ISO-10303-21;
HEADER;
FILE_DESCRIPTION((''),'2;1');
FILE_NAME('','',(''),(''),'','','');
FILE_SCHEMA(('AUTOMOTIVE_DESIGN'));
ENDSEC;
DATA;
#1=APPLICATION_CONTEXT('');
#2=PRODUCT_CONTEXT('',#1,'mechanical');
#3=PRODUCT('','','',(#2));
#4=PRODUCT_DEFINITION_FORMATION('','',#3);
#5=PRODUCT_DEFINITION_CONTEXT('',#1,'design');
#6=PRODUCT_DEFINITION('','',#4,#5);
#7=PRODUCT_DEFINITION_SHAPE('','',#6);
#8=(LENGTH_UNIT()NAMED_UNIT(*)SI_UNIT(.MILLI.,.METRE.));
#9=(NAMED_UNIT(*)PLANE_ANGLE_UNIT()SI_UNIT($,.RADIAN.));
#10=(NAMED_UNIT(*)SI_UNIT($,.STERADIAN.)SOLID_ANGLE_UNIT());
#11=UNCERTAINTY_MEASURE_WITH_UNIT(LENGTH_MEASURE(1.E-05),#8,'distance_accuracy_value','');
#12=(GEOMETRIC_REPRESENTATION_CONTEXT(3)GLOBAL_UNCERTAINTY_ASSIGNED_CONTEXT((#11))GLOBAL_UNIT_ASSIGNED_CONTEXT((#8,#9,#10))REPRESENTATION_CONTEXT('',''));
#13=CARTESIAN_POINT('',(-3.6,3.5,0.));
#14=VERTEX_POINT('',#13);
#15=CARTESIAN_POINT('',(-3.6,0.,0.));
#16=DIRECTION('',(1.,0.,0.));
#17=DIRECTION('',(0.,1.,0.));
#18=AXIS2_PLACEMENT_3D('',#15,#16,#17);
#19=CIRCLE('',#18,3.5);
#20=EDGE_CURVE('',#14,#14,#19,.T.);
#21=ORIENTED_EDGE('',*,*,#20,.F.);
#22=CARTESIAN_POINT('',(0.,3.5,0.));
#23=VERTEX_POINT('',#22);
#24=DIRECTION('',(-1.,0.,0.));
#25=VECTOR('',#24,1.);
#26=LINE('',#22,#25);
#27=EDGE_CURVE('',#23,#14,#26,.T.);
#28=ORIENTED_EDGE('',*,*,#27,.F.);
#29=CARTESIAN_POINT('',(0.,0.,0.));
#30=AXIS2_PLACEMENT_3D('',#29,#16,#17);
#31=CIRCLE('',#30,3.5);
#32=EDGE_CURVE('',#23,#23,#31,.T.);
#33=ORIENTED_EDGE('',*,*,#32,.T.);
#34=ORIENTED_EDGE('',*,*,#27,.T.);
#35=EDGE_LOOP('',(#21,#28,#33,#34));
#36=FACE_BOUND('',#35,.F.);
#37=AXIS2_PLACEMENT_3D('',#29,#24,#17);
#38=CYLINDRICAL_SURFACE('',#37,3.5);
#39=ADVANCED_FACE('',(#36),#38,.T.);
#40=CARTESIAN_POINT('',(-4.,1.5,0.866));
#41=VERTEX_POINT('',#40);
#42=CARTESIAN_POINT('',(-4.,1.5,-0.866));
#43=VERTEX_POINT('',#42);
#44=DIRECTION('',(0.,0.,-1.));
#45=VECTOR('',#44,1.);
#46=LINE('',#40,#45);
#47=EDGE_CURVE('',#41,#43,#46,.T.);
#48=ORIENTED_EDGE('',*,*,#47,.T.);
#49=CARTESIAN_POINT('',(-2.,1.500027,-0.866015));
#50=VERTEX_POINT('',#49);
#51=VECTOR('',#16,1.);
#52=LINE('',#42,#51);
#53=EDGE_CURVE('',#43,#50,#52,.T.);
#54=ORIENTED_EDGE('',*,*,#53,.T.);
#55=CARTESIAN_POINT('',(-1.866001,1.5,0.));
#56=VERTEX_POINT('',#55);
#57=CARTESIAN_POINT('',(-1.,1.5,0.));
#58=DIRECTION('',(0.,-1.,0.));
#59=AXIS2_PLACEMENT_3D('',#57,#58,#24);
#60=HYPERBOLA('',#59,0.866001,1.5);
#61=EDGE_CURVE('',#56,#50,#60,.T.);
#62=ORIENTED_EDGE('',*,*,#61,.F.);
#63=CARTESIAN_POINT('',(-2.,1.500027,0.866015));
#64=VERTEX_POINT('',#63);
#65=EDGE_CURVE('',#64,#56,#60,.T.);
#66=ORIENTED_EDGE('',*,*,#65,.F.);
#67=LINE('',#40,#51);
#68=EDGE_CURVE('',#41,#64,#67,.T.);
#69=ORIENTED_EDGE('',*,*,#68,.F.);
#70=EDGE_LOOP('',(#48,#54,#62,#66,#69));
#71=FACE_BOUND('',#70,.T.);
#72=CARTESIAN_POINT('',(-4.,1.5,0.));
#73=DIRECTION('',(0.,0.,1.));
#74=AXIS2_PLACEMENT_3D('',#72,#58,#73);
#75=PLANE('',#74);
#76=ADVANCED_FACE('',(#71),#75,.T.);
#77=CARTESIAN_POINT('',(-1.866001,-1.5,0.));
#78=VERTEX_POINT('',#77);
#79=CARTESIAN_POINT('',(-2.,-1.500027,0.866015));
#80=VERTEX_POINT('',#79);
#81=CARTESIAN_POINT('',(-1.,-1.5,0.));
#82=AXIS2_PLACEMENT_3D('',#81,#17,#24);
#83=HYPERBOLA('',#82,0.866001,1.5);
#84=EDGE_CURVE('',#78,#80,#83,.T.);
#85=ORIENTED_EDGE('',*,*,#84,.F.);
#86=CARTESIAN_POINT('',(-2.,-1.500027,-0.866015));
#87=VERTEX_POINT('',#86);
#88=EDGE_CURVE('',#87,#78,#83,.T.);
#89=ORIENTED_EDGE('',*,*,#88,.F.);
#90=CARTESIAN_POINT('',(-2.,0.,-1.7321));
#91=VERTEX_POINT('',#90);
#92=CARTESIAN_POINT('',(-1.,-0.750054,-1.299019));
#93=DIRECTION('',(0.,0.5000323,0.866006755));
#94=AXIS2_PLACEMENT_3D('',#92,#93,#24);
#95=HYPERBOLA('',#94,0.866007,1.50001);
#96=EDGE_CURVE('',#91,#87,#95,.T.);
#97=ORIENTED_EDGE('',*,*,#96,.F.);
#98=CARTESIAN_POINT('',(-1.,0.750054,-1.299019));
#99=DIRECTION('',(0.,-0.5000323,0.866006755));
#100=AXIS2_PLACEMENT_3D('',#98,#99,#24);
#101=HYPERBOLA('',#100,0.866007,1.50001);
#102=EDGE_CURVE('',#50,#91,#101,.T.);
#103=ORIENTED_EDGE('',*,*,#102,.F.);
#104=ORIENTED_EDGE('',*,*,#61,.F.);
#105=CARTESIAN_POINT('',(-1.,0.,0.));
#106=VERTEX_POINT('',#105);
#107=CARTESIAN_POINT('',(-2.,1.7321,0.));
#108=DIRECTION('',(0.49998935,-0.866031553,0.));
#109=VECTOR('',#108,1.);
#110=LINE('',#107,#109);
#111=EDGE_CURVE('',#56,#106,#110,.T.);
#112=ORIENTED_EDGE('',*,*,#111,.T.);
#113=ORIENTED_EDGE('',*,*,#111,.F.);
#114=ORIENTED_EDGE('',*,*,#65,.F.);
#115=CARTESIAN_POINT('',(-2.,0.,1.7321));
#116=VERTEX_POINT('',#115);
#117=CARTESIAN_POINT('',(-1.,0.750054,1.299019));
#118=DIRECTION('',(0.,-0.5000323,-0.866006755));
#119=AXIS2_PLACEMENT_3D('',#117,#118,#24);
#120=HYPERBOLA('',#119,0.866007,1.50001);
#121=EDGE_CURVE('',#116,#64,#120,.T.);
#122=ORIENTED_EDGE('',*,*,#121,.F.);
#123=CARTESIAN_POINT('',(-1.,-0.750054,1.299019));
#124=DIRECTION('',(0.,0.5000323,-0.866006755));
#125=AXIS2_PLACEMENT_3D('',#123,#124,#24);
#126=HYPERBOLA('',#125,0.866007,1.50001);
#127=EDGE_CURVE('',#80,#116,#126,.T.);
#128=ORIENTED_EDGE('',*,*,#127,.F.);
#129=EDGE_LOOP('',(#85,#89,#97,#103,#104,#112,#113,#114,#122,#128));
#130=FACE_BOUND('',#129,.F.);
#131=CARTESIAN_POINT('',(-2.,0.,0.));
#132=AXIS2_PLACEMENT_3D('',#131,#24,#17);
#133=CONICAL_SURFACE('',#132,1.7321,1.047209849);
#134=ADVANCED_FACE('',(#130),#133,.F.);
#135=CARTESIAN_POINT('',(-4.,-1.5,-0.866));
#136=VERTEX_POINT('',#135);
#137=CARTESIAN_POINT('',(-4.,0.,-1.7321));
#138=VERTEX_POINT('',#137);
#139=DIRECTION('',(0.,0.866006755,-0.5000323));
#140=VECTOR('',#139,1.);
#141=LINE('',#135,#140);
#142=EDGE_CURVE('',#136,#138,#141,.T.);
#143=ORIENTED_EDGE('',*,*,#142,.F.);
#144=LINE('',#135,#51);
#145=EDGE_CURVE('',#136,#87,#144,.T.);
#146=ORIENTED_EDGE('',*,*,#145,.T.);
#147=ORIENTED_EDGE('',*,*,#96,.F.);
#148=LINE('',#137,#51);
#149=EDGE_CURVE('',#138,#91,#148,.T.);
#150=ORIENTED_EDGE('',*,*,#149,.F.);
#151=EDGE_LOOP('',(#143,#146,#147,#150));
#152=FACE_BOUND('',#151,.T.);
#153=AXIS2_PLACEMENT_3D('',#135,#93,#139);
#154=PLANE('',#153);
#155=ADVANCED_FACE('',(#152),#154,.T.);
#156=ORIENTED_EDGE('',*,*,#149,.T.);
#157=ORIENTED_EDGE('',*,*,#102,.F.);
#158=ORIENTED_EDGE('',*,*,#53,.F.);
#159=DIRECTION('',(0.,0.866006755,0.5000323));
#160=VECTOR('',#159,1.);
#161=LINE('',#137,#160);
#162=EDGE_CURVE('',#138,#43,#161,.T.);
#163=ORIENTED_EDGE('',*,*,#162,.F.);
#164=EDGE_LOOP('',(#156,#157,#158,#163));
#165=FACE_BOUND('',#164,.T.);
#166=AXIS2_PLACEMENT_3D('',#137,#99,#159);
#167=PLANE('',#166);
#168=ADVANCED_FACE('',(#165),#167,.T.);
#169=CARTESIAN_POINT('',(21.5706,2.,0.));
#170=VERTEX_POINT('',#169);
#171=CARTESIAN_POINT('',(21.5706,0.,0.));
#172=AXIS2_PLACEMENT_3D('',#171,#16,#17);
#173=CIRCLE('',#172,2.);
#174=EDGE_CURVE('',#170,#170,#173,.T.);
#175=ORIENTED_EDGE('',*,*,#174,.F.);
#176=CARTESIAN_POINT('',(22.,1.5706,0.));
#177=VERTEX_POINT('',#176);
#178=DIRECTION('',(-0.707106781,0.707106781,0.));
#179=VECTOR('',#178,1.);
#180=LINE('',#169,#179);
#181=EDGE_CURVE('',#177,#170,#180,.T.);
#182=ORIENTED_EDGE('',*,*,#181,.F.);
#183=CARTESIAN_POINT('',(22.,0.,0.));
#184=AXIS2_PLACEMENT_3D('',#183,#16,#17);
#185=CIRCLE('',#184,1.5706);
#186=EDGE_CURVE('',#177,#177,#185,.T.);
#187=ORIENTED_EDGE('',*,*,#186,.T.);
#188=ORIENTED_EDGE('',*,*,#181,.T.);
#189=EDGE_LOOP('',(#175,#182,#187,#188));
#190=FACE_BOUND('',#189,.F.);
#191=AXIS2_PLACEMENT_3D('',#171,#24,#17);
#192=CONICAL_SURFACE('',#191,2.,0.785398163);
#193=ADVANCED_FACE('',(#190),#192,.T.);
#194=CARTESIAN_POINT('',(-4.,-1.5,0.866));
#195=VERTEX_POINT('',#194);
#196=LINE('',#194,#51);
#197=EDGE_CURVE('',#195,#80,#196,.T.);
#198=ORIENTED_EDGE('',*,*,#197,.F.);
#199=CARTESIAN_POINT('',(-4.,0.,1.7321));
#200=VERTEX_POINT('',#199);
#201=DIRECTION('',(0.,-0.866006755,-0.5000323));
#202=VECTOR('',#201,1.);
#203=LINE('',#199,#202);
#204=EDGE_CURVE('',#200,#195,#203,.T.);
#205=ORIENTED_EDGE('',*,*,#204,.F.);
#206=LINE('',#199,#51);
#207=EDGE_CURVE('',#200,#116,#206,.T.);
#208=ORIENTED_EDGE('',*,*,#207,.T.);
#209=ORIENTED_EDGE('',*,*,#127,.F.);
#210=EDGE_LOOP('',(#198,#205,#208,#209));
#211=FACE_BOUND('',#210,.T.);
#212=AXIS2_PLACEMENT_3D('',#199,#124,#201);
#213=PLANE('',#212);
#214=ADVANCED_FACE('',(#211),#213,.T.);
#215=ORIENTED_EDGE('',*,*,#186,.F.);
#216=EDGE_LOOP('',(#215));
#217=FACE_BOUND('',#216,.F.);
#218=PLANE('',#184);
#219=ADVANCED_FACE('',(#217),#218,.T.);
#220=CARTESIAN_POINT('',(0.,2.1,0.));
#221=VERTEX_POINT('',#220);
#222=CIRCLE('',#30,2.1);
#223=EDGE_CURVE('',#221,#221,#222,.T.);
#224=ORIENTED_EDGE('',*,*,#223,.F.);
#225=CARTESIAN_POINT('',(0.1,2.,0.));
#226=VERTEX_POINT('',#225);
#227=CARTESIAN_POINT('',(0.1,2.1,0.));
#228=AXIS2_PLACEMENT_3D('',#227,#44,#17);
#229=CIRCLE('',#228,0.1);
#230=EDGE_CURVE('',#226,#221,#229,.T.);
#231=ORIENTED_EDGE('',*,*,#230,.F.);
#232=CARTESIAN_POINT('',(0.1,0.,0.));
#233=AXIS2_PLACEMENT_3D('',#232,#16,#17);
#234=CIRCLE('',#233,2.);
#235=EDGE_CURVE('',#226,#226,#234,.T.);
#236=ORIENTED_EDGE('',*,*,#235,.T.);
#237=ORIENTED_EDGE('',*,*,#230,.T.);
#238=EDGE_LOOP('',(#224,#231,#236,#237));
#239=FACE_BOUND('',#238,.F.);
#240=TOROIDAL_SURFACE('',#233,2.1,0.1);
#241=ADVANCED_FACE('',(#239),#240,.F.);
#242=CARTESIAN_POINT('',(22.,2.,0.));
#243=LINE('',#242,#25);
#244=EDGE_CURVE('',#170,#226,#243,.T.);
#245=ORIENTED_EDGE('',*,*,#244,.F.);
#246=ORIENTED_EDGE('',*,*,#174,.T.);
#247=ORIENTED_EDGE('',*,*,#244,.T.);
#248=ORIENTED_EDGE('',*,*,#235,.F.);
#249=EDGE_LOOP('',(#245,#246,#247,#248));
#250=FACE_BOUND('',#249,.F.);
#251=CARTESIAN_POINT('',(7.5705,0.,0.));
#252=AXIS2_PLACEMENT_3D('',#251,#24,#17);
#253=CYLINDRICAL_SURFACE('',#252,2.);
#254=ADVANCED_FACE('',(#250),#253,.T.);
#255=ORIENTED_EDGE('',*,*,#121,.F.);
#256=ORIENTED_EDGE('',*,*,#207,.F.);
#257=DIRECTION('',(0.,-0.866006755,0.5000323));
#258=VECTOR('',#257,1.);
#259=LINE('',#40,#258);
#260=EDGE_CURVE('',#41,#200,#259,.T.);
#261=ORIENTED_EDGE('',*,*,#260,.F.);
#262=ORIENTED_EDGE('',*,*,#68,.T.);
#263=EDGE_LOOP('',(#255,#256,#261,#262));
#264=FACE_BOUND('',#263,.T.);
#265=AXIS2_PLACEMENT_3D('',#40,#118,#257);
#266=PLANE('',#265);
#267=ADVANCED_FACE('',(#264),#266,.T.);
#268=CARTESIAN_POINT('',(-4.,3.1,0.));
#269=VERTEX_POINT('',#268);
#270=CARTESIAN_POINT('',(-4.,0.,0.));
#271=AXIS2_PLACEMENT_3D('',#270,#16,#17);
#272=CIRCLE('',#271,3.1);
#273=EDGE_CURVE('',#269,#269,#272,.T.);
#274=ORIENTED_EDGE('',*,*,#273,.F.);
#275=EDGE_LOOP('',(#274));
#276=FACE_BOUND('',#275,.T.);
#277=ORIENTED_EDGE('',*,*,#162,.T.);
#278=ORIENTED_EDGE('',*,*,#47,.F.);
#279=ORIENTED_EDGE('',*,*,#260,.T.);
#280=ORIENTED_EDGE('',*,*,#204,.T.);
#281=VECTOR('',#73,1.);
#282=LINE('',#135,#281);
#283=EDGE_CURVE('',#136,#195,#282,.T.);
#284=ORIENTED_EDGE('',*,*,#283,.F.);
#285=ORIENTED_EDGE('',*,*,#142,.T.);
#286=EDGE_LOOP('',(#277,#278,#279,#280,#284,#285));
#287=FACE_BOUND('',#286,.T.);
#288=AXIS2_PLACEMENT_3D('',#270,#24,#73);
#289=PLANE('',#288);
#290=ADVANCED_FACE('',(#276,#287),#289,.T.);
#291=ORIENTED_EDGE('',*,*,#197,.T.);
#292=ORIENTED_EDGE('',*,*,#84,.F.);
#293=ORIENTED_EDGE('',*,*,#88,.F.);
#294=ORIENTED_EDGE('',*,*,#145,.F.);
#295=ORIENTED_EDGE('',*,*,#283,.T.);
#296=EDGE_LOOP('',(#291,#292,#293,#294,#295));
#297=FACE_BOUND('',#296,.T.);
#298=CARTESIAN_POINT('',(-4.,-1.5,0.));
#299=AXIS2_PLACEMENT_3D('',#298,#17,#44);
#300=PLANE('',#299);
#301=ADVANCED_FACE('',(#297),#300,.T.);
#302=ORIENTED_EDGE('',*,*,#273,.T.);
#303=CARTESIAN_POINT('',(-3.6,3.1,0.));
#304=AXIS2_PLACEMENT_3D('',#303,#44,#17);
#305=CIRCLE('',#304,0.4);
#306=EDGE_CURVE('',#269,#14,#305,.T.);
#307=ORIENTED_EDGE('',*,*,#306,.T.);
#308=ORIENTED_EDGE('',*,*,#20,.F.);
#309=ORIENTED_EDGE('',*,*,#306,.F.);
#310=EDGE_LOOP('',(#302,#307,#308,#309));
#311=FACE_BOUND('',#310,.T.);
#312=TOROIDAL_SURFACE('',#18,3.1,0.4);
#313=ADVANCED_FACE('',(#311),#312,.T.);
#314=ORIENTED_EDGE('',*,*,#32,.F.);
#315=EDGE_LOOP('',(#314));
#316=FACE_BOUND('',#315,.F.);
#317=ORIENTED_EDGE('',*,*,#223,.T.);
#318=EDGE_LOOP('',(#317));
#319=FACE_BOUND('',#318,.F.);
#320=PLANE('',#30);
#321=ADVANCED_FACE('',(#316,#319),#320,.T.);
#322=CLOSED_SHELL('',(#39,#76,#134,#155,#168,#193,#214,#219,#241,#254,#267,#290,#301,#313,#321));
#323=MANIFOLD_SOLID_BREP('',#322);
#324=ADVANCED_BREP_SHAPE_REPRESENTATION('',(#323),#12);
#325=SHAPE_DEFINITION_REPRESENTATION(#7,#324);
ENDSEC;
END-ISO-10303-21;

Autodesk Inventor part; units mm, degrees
ref_plane "YZ Plane" through (0, 0, 0) normal (1, 0, 0) x (0, 1, 0)
ref_plane "XZ Plane" through (0, 0, 0) normal (0, 1, 0) x (-1, 0, 0)
sketch "Szkic1" plane through (0, 0, 0) normal (0, 0, 1) x (1, 0, 0)
  line L0 (-1, 0) -> (22, 0)
  line L1 (22, 0) -> (22, 2)
  line L2 (22, 2) -> (8, 2)
  line L3 (8, 2) -> (7.5705, 2)
  line L4 (7.5705, 2) -> (0, 2)
  line L5 (0, 2) -> (0, 3.5)
  line L6 (0, 3.5) -> (-4, 3.5)
  line L7 (-4, 3.5) -> (-4, 1.7321)
  line L8 (-4, 1.7321) -> (-2, 1.7321)
  line L9 (-2, 1.7321) -> (-1, 0)
  line L10 (-9.2, 0) -> (27.2, 0) projected
  line L11 (0, -0.7) -> (0, 4.2) projected
  line L12 (8, 2) -> (0, 2) construction
  dimension "d1" = 14
  dimension "d2" = 0.4295
  dimension "d3" = 4
  dimension "d4" = 2
  dimension "d5" = 60
  dimension "d6" = 4
  dimension "d7" = 4
  dimension "d8" = 3.4641
  dimension "d9" = 7
  dimension "d26" = 22
revolve "Bryła" add sketch "Szkic1" angle 360 about axis through (-1, 0, 0) along (1, 0, 0)
sketch "Szkic2" plane through (-4, 0, 0) normal (-1, 0, 0) x (0, 0, 1)
  circle A0 centre (0, 0) radius 1.7321 projected
  line L0 (0, -4.9) -> (0, 4.9) projected
  line L1 (-4.9, 0) -> (4.9, 0) projected
  line L2 (1.7321, 0) -> (0.866, -1.5)
  line L3 (0.866, -1.5) -> (-0.866, -1.5)
  line L4 (-0.866, -1.5) -> (-1.7321, 0)
  line L5 (-1.7321, 0) -> (-0.866, 1.5)
  line L6 (-0.866, 1.5) -> (0.866, 1.5)
  line L7 (0.866, 1.5) -> (1.7321, 0)
extrude "Szczelina" add sketch "Szkic2" against normal up to next contours L7 A0 | A0 L2 | L6 L0 A0 | A0 L0 L3 | L0 L6 A0 | A0 L3 L0 | L4 A0 | A0 L5
fillet "Zaokrąglenie1" radius 0.4 1 edges at (-4, -3.5, 0)
thread "Gwint" size "M4x0.7" class "6g" standard "ISO Metric profile" length 14
chamfer "Faza1" distance 0.4294 distance2 0.4294 1 edges at (22, -2, 0) measured on face at (22, 0.0679, 1.2634)
ref_plane "Work Plane1" through (29, 0, 0) normal (0, -1, 0) x (1, 0, 0)
fillet "Fillet2" radius 0.1 1 edges at (0, -2, 0)
equation "\"d1\" = GEL"
equation "\"d3\" = KOH"
equation "\"d4\" = INTI"
equation "\"d6\" = GD"
equation "\"d7\" = BDM"
equation "\"d8\" = 1.1547 * SW"
equation "\"d9\" = KOD"
equation "\"d26\" = NLG"
equation "\"d30\" = R"
equation "\"d17\" = RR"
equation "\"d13\" = GEL"
equation "\"d15\" = -0.5 * SPD + 0.5 * GD"
equation "\"d16\" = GUL"
equation "\"GD\" = NND"
equation "\"NLG\" = 22"
equation "\"GEL\" = 14"
equation "\"KOD\" = 7"
equation "\"KOH\" = NND"
equation "\"INTI\" = 2"
equation "\"GAL\" = 0.61345 * PTC"
equation "\"GUL\" = 0.61345 * PTC"
equation "\"BDM\" = NND"
equation "\"SW\" = 3"
equation "\"RR\" = 0.4"
equation "\"SPD\" = NND - 1.2269 * PTC"
equation "\"R\" = 0.1"
equation "\"TOA\" = 30deg"
equation "\"GD1\" = THREADDIA - 1.2269 * PTC"
equation "\"THREADDIA\" = 4"
equation "\"FAWI\" = 45deg"
equation "\"PTC\" = 0.7"
equation "\"NND\" = 4"
equation "\"E0\" = 1.155 * SW"
properties part number "CNS 3932 - M 4 x 22" material "Stal, miękka"
